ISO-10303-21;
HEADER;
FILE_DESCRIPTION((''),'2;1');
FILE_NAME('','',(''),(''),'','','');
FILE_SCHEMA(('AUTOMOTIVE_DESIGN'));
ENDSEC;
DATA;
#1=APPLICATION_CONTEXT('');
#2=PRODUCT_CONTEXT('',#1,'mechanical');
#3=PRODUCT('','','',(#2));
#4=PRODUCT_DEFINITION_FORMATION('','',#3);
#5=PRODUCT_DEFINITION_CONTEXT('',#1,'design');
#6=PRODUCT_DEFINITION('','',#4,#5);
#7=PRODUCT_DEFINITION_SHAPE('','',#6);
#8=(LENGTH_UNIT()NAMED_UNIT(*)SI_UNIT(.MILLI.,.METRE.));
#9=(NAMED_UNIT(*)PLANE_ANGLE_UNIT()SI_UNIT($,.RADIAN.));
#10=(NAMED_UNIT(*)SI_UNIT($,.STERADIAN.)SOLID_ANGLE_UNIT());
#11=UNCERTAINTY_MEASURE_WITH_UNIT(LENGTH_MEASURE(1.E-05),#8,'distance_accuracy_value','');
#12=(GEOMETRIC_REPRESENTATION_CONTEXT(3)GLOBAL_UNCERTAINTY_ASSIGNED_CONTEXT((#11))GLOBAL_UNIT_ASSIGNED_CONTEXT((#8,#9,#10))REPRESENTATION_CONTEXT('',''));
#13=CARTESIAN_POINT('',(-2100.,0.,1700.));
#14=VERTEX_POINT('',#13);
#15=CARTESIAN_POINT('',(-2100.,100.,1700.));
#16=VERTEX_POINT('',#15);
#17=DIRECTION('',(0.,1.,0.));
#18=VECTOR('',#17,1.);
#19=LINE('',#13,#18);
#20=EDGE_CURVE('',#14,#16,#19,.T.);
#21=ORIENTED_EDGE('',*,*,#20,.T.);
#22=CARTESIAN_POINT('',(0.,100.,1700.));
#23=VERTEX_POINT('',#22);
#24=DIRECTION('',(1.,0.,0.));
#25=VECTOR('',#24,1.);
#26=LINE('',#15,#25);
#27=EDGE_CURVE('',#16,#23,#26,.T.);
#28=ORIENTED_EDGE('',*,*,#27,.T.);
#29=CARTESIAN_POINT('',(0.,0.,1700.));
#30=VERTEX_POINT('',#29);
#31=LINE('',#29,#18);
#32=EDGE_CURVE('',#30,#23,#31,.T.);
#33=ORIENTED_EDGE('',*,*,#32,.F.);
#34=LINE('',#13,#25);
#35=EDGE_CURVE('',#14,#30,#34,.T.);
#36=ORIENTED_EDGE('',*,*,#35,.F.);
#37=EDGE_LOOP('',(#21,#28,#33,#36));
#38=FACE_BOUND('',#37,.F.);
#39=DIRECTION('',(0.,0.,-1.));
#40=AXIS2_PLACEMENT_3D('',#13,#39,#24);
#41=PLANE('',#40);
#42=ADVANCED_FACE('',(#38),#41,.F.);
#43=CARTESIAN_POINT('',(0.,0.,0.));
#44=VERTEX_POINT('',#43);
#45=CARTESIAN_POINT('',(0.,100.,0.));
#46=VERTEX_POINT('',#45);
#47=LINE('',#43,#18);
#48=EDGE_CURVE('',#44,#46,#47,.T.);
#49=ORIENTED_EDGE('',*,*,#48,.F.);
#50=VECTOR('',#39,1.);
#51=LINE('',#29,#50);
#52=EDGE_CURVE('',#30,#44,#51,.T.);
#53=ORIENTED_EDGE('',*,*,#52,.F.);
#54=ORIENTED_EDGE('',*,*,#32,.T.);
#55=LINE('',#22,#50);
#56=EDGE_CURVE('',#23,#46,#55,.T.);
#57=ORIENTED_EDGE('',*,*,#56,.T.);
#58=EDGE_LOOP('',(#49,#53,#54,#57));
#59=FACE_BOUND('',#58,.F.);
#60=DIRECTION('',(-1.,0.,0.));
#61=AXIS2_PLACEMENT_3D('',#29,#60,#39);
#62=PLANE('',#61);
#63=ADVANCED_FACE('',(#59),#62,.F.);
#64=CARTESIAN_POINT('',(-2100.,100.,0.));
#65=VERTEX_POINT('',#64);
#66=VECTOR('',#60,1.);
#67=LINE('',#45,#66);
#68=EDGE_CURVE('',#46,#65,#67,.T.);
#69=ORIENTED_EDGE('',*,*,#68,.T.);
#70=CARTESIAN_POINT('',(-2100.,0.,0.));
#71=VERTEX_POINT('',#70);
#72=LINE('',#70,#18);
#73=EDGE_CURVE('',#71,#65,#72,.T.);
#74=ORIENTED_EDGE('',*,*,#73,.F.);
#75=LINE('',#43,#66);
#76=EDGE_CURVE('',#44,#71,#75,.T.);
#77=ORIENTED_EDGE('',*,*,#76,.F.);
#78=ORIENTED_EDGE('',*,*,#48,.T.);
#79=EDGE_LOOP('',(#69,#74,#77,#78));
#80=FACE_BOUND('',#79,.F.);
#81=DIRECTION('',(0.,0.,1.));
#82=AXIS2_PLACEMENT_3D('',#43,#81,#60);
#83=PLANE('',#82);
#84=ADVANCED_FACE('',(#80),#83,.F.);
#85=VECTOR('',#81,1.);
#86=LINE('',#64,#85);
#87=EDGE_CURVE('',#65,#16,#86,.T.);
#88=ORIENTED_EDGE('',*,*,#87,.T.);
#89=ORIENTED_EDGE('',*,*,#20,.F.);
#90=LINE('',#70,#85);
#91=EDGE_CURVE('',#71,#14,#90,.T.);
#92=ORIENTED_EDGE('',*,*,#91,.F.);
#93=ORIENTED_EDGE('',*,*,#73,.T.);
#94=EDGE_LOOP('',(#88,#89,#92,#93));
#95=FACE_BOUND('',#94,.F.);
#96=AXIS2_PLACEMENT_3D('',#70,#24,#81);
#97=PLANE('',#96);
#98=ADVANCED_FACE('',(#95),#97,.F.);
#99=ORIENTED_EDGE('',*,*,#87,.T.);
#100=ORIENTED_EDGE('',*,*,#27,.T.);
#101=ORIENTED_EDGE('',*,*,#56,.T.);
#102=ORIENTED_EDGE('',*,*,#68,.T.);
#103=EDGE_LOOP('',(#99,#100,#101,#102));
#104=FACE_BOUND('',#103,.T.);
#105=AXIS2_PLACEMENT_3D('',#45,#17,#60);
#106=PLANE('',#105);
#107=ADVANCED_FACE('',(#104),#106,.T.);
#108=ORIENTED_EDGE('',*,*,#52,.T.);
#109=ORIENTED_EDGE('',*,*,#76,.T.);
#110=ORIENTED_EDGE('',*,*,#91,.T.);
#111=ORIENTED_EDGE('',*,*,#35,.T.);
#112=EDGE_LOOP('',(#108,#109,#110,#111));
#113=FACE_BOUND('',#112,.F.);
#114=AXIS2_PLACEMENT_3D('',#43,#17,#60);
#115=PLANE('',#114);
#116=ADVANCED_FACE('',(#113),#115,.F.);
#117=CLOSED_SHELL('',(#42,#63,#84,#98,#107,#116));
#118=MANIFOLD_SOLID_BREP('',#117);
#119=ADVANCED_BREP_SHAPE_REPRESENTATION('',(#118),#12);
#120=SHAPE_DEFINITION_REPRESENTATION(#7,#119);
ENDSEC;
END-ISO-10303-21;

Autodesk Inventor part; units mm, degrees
ref_plane "YZ Plane" through (0, 0, 0) normal (1, 0, 0) x (0, 1, 0)
ref_plane "XZ Plane" through (0, 0, 0) normal (0, 1, 0) x (-1, 0, 0)
ref_plane "XY Plane" through (0, 0, 0) normal (0, 0, 1) x (1, 0, 0)
sketch "スケッチ1" plane through (0, 0, 0) normal (0, 1, 0) x (-1, 0, 0)
  line L0 (0, 0) -> (2100, 0)
  line L1 (2100, 0) -> (2100, 1700)
  line L2 (2100, 1700) -> (0, 1700)
  line L3 (0, 1700) -> (0, 0)
  dimension "d0" = 2100
  dimension "d2" = 1700
extrude "押し出し1" add sketch "スケッチ1" along normal blind 100
properties part number "ita" material "水"
